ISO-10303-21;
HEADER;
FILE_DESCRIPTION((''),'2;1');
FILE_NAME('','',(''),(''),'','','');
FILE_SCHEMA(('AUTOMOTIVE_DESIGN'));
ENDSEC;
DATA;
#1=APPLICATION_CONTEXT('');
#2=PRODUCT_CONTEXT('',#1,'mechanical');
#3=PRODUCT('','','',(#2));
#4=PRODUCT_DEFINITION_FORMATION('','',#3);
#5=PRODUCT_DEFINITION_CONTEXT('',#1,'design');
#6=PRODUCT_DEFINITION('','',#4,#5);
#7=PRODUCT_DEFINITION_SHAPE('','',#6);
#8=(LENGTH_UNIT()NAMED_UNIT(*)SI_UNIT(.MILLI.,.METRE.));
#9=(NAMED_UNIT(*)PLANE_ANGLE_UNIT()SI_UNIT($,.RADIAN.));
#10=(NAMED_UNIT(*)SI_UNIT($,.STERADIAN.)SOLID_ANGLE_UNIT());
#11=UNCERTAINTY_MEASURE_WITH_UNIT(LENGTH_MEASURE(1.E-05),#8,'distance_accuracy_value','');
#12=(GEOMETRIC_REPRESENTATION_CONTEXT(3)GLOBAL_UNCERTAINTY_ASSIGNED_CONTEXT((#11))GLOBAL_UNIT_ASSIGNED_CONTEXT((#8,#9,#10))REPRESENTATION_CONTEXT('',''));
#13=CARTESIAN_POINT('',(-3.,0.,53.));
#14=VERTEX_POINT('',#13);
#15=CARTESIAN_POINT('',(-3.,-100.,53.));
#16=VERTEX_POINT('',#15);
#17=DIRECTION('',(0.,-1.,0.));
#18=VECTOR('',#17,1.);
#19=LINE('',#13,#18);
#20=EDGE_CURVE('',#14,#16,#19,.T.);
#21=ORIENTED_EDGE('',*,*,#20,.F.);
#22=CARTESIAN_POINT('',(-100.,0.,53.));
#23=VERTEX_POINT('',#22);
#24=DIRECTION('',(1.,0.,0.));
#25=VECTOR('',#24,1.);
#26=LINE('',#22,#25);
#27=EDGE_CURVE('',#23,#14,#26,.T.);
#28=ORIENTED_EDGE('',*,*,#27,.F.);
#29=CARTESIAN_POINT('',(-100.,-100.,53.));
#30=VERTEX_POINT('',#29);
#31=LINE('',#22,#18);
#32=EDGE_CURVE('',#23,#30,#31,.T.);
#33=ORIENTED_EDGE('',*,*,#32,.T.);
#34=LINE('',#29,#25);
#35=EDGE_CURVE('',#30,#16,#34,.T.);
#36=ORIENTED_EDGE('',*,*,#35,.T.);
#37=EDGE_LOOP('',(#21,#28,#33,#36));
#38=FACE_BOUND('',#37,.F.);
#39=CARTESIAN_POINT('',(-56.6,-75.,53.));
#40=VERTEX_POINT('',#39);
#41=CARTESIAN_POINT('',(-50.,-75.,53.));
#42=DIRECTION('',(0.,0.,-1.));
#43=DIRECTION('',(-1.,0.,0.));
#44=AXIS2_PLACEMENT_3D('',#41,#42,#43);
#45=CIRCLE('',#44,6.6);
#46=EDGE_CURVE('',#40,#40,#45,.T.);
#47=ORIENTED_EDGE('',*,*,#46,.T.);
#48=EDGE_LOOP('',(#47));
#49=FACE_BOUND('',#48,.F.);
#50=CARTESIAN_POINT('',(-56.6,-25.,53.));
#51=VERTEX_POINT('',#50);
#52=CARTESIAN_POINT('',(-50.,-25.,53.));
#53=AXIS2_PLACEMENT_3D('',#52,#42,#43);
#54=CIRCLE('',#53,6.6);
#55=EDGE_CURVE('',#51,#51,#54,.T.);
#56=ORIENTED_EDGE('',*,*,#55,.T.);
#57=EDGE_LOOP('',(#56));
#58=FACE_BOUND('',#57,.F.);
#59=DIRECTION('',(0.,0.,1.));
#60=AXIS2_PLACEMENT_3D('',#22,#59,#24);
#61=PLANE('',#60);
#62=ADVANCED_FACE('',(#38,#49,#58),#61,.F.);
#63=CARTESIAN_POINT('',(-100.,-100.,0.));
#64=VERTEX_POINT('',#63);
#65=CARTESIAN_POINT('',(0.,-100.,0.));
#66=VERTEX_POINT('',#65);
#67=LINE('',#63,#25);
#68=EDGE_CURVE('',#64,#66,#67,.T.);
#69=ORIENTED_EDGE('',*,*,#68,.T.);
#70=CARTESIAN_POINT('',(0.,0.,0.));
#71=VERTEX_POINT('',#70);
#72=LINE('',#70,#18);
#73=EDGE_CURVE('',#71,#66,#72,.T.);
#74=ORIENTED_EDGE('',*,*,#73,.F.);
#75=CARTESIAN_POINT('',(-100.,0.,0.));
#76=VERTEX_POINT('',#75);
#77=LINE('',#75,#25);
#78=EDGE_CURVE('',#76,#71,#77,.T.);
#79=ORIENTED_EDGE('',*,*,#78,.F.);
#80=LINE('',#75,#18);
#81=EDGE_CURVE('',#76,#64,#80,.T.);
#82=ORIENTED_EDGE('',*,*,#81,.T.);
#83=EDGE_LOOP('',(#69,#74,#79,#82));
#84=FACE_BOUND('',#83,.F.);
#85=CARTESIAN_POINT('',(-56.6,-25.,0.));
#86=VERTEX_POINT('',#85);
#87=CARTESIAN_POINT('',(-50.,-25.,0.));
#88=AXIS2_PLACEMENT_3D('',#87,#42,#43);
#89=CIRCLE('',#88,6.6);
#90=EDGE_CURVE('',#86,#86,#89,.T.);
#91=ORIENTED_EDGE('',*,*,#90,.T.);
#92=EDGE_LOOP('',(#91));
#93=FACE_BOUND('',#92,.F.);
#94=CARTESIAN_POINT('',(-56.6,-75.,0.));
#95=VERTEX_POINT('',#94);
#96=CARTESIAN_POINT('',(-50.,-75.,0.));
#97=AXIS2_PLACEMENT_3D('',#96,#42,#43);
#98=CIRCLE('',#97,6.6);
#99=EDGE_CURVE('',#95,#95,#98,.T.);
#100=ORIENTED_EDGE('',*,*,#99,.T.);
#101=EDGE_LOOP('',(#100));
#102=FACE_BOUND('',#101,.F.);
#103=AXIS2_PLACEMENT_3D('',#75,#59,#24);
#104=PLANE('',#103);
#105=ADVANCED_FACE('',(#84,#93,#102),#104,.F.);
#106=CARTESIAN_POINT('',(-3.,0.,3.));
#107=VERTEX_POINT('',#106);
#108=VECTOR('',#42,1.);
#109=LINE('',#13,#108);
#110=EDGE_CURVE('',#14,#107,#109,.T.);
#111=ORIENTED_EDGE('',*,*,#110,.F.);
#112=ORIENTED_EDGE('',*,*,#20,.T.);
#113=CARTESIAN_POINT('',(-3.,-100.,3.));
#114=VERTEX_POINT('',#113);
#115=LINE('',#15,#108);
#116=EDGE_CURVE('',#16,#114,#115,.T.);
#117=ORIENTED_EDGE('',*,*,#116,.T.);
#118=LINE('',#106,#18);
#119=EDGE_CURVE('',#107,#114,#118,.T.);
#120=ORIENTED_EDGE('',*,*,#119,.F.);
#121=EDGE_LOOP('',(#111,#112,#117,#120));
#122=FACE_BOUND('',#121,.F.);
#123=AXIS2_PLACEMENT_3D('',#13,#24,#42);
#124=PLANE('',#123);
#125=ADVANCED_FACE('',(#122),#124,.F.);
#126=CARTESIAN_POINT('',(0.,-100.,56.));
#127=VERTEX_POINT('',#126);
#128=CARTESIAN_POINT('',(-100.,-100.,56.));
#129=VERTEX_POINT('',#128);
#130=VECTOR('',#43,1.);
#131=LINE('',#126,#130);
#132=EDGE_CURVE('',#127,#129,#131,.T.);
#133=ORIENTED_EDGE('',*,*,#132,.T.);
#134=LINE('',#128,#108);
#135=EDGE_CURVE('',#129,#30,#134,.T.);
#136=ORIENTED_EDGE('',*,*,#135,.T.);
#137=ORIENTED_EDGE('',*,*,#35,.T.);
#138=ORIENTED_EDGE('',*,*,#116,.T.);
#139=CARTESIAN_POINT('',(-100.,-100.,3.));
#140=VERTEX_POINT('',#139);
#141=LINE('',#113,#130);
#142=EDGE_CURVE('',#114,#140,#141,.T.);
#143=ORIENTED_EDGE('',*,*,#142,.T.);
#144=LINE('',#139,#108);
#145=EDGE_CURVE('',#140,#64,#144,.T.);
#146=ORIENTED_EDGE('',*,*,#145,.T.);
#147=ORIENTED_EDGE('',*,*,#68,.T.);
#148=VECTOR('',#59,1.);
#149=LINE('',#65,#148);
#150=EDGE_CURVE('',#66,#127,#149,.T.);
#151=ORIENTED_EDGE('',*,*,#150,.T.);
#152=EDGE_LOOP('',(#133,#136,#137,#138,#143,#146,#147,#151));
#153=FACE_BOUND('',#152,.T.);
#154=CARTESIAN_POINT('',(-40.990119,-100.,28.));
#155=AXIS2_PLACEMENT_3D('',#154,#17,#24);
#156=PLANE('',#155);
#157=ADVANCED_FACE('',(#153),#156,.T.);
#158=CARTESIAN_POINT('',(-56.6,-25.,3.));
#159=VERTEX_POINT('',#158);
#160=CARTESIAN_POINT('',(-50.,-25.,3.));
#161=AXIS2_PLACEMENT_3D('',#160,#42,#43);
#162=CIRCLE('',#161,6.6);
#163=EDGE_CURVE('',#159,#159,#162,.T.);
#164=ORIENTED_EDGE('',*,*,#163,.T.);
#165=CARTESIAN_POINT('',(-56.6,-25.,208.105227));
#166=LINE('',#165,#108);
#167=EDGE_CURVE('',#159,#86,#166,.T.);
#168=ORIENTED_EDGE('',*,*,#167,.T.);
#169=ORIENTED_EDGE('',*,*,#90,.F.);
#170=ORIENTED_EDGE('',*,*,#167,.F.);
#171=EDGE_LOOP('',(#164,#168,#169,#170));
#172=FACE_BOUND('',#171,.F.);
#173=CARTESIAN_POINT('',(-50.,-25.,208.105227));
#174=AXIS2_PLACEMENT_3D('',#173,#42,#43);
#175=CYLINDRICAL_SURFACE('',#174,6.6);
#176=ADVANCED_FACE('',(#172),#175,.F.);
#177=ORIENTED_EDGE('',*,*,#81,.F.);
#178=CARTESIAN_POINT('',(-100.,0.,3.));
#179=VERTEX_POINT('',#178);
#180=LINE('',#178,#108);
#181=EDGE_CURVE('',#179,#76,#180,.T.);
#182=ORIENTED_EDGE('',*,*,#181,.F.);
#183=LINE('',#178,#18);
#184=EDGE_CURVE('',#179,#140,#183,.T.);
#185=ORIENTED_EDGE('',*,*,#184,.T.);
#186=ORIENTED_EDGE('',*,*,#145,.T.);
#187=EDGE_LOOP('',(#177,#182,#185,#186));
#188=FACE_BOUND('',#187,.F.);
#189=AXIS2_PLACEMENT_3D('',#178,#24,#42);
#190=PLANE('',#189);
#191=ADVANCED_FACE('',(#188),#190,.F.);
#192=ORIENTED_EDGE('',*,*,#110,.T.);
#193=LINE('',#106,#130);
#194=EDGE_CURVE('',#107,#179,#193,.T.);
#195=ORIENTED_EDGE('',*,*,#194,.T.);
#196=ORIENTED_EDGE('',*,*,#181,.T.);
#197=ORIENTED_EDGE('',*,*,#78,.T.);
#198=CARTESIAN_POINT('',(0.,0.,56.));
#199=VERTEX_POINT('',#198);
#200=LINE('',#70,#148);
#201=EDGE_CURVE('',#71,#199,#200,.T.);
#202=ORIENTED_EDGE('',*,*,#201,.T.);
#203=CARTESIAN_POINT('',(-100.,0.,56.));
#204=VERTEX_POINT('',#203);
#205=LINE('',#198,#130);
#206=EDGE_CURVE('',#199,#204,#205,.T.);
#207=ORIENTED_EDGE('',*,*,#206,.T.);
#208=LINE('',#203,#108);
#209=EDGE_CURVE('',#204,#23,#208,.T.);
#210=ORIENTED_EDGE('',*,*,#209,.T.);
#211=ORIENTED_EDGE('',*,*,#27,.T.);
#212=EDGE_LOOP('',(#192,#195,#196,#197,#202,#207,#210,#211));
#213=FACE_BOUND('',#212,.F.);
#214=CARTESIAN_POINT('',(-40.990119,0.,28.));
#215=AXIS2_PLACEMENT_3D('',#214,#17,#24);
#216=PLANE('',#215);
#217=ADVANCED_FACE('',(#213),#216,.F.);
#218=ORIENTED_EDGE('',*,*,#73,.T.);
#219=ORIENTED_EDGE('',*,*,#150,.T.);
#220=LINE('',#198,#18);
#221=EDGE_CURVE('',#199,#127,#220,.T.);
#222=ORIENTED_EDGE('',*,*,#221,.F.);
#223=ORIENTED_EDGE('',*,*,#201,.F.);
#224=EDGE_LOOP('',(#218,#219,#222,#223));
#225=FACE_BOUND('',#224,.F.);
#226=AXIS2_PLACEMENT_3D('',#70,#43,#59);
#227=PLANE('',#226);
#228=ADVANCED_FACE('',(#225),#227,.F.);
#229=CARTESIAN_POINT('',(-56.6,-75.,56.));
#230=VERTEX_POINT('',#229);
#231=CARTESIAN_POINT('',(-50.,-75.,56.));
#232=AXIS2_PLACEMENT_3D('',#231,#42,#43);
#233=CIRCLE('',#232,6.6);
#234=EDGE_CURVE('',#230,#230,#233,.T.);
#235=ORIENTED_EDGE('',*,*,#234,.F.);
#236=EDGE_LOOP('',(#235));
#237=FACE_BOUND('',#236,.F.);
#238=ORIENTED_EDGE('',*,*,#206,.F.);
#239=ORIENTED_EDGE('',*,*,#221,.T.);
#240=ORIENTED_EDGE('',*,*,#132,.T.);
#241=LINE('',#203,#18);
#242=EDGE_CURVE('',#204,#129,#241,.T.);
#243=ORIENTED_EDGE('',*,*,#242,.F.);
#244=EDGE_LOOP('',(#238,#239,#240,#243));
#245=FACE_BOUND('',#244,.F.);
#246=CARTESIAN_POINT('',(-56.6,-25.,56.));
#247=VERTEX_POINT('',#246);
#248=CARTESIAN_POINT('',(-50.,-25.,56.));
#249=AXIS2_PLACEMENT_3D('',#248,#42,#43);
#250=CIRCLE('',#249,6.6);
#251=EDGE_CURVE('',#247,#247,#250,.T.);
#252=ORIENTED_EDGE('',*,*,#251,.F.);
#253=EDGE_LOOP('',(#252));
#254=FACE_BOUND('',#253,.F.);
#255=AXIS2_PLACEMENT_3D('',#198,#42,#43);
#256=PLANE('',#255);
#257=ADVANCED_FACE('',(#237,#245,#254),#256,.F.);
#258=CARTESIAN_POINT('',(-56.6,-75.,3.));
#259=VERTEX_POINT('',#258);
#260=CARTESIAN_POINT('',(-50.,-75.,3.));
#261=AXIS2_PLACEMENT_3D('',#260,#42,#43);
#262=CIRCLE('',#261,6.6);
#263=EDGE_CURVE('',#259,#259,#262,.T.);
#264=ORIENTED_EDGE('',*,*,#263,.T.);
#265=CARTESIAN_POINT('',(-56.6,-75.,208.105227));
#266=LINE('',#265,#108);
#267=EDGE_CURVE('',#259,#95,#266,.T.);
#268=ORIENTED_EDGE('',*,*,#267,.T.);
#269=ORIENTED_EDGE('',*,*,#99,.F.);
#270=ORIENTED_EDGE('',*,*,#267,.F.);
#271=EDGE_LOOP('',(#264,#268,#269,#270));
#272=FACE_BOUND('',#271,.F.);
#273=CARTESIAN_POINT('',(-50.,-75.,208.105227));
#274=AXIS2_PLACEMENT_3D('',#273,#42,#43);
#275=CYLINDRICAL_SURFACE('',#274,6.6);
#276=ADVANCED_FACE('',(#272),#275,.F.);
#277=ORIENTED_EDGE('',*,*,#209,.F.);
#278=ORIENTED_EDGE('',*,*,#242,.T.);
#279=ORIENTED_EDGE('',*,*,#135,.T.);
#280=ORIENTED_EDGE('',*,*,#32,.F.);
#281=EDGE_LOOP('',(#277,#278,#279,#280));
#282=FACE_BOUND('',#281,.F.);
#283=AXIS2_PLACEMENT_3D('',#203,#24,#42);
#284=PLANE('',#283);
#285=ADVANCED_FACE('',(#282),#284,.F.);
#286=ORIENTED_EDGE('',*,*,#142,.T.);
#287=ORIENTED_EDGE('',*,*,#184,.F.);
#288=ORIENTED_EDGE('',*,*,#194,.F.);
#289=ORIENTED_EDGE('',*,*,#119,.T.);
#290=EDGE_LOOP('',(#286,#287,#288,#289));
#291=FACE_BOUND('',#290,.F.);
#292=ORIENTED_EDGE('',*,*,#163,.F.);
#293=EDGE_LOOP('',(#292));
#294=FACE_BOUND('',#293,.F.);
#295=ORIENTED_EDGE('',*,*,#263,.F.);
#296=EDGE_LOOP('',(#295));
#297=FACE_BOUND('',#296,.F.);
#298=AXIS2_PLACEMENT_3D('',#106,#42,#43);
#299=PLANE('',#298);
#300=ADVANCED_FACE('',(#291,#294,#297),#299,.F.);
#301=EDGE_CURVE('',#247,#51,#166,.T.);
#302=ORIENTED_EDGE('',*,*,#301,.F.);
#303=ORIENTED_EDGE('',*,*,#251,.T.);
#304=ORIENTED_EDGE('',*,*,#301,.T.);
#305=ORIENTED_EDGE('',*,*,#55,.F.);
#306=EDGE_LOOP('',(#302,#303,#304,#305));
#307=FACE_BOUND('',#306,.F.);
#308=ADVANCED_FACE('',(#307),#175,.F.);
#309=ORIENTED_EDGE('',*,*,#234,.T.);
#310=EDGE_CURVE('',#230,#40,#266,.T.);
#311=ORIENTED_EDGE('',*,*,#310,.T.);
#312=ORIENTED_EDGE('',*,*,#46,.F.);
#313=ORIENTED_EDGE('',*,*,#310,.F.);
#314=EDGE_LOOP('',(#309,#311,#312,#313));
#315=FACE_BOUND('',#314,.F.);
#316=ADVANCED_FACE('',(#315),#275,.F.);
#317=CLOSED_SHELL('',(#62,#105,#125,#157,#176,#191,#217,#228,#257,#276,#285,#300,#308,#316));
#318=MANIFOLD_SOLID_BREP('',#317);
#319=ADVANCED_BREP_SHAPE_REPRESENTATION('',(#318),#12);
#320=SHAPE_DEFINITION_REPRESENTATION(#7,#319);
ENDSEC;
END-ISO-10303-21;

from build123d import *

# Parameters (mm, degrees)
F1_DEPTH = 100
F3_D     = 13.2


with BuildPart() as f1:
    # F0 (on Front) → F1 (new body)
    with BuildSketch(Plane.XZ):
        Polygon((-100, 0), (0, 0), (0, 56), (-100, 56), (-100, 53), (-3, 53), (-3, 3), (-100, 3), align=None)
    extrude(amount=F1_DEPTH)

    # F3 (through all)
    with Locations(Plane.XY.offset(56)):
        with Locations((-50, -75), (-50, -25)):
            Hole(F3_D / 2)


solid = f1.part
